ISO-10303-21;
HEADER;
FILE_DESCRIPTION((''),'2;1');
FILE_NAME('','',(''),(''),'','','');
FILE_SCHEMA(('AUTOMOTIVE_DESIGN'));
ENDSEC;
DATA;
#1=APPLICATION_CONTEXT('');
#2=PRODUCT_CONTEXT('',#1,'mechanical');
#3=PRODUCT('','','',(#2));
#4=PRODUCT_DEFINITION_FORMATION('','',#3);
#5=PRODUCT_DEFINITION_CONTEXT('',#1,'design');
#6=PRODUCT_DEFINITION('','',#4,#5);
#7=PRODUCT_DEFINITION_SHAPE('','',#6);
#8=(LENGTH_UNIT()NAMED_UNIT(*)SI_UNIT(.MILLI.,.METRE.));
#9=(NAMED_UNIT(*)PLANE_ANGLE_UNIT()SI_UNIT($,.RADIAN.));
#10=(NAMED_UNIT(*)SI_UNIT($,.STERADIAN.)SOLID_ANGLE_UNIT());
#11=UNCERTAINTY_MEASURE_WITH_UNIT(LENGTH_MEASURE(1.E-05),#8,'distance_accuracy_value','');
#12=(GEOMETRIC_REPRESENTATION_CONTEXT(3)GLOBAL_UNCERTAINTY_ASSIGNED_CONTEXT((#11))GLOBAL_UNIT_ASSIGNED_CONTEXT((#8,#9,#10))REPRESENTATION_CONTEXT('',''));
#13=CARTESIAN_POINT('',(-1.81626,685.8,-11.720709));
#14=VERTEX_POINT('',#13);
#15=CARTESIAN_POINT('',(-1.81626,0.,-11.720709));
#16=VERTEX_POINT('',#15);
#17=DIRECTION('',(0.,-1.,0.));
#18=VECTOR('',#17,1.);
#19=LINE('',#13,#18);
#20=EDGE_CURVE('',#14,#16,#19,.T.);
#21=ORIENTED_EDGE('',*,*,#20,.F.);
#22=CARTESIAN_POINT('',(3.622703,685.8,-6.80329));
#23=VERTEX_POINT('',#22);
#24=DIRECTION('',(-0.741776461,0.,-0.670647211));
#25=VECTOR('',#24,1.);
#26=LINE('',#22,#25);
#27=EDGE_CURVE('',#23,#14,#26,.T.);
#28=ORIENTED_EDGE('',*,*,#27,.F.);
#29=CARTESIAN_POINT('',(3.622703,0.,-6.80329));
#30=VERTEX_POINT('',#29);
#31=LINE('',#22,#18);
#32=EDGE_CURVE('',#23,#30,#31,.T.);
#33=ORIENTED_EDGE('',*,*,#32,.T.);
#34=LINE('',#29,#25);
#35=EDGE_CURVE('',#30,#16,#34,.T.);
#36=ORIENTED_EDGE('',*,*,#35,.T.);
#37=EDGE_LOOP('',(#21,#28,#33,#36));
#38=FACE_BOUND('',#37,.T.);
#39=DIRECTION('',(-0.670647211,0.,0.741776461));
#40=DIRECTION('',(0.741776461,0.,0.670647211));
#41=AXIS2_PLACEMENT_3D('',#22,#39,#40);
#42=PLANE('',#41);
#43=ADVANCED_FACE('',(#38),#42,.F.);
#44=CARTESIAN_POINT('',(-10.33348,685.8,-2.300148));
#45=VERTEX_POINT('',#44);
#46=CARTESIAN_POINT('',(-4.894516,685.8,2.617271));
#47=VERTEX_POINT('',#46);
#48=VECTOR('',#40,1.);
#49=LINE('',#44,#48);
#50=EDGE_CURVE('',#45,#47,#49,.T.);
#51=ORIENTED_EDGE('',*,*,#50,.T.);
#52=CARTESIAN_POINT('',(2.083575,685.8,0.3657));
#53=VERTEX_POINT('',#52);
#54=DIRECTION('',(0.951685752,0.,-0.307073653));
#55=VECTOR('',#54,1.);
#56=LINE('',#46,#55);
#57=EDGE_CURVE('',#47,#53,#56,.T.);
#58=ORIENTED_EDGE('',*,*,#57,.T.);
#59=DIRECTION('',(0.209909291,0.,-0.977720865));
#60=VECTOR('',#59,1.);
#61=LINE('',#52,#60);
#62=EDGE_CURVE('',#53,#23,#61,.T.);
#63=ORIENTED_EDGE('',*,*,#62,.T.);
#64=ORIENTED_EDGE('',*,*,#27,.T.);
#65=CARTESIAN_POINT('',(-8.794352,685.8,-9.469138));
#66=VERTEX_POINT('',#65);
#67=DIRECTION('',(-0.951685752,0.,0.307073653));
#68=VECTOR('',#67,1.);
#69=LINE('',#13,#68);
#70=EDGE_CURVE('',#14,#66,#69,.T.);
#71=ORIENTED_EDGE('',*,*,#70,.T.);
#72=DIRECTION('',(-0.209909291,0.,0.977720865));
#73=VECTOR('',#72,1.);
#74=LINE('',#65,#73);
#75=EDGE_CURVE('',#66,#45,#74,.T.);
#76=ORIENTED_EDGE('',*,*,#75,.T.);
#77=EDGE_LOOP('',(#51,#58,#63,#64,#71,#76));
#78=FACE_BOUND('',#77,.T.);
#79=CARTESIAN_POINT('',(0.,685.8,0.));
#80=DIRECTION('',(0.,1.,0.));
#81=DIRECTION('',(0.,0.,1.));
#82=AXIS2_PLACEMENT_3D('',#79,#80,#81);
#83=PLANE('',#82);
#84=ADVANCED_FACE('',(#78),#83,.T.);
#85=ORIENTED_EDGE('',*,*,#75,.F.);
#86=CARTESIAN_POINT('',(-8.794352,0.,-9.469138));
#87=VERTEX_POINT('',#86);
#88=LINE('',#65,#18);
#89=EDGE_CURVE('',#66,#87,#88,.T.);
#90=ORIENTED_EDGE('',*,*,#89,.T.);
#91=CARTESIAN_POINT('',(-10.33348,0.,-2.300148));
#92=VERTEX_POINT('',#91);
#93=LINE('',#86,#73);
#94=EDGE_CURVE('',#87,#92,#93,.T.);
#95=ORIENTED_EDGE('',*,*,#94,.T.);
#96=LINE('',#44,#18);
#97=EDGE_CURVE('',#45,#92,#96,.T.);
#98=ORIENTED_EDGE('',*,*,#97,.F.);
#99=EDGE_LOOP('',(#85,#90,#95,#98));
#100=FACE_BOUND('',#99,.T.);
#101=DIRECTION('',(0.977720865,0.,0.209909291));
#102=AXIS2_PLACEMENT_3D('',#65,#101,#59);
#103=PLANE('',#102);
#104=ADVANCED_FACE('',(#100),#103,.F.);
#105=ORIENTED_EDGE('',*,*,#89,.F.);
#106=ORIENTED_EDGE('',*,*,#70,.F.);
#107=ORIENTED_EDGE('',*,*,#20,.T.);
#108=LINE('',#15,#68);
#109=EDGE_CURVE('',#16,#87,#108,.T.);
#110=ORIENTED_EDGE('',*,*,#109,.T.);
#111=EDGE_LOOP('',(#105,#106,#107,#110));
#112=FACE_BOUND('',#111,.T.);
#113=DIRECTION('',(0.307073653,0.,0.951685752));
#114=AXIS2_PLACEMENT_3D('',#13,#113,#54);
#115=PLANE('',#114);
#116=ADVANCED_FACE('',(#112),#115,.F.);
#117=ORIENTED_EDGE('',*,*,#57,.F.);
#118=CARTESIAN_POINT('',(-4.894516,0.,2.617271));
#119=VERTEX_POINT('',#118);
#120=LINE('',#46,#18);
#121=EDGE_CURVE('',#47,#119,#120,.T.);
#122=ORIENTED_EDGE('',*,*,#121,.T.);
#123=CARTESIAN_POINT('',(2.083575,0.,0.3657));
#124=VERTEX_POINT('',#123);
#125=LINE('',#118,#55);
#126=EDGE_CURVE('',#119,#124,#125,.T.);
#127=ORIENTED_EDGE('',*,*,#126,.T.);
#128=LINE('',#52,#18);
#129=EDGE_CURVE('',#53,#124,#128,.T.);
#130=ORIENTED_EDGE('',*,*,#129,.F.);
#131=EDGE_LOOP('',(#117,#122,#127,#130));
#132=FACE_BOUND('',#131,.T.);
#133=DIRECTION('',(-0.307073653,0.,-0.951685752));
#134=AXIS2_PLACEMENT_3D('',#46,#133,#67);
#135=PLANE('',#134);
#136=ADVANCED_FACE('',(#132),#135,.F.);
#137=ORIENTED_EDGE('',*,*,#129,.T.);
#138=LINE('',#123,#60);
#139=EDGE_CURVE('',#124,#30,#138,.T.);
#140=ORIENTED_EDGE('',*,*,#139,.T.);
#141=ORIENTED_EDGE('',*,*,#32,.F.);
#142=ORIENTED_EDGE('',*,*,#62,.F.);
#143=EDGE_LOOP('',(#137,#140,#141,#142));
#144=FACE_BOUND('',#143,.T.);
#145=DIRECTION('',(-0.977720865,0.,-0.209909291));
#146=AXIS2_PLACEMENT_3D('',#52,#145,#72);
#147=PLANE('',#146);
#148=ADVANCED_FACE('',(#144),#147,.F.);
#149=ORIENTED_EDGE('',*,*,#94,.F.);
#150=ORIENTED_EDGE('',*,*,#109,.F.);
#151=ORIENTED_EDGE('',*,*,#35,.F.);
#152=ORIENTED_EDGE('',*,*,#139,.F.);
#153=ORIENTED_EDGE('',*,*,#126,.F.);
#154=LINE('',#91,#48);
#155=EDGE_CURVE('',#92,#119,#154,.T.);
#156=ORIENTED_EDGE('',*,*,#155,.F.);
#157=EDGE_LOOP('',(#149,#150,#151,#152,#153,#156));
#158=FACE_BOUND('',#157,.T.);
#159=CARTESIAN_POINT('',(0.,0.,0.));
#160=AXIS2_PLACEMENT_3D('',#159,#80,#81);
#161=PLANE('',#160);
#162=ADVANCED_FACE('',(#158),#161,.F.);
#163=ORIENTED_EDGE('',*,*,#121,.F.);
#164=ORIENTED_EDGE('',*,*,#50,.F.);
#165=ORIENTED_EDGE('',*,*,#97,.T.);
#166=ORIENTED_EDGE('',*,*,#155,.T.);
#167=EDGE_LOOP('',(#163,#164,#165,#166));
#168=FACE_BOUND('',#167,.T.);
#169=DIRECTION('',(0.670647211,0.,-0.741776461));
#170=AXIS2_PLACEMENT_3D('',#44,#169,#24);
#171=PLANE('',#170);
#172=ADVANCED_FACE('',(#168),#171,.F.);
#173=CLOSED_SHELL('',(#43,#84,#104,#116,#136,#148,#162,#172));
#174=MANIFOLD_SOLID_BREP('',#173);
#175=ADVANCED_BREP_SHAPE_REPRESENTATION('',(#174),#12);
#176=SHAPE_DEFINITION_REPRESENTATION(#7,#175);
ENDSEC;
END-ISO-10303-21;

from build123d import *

# Parameters (mm, degrees)
BOSS_EXTRUDE1_DEPTH = 685.8


with BuildPart() as part:
    # Sketch1 → Boss-Extrude1 (new body)
    with BuildSketch(Plane(origin=(0, 0, 0), x_dir=(1, 0, 0), z_dir=(0, 1, 0))):
        Polygon((2.083575367, -0.365699732), (3.622703428, 6.803290305), (-1.816260032, 11.720709324), (-8.794351554, 9.469138307), (-10.333479615, 2.30014827), (-4.894516155, -2.617270749), align=None)
    extrude(amount=BOSS_EXTRUDE1_DEPTH)


solid = part.part
